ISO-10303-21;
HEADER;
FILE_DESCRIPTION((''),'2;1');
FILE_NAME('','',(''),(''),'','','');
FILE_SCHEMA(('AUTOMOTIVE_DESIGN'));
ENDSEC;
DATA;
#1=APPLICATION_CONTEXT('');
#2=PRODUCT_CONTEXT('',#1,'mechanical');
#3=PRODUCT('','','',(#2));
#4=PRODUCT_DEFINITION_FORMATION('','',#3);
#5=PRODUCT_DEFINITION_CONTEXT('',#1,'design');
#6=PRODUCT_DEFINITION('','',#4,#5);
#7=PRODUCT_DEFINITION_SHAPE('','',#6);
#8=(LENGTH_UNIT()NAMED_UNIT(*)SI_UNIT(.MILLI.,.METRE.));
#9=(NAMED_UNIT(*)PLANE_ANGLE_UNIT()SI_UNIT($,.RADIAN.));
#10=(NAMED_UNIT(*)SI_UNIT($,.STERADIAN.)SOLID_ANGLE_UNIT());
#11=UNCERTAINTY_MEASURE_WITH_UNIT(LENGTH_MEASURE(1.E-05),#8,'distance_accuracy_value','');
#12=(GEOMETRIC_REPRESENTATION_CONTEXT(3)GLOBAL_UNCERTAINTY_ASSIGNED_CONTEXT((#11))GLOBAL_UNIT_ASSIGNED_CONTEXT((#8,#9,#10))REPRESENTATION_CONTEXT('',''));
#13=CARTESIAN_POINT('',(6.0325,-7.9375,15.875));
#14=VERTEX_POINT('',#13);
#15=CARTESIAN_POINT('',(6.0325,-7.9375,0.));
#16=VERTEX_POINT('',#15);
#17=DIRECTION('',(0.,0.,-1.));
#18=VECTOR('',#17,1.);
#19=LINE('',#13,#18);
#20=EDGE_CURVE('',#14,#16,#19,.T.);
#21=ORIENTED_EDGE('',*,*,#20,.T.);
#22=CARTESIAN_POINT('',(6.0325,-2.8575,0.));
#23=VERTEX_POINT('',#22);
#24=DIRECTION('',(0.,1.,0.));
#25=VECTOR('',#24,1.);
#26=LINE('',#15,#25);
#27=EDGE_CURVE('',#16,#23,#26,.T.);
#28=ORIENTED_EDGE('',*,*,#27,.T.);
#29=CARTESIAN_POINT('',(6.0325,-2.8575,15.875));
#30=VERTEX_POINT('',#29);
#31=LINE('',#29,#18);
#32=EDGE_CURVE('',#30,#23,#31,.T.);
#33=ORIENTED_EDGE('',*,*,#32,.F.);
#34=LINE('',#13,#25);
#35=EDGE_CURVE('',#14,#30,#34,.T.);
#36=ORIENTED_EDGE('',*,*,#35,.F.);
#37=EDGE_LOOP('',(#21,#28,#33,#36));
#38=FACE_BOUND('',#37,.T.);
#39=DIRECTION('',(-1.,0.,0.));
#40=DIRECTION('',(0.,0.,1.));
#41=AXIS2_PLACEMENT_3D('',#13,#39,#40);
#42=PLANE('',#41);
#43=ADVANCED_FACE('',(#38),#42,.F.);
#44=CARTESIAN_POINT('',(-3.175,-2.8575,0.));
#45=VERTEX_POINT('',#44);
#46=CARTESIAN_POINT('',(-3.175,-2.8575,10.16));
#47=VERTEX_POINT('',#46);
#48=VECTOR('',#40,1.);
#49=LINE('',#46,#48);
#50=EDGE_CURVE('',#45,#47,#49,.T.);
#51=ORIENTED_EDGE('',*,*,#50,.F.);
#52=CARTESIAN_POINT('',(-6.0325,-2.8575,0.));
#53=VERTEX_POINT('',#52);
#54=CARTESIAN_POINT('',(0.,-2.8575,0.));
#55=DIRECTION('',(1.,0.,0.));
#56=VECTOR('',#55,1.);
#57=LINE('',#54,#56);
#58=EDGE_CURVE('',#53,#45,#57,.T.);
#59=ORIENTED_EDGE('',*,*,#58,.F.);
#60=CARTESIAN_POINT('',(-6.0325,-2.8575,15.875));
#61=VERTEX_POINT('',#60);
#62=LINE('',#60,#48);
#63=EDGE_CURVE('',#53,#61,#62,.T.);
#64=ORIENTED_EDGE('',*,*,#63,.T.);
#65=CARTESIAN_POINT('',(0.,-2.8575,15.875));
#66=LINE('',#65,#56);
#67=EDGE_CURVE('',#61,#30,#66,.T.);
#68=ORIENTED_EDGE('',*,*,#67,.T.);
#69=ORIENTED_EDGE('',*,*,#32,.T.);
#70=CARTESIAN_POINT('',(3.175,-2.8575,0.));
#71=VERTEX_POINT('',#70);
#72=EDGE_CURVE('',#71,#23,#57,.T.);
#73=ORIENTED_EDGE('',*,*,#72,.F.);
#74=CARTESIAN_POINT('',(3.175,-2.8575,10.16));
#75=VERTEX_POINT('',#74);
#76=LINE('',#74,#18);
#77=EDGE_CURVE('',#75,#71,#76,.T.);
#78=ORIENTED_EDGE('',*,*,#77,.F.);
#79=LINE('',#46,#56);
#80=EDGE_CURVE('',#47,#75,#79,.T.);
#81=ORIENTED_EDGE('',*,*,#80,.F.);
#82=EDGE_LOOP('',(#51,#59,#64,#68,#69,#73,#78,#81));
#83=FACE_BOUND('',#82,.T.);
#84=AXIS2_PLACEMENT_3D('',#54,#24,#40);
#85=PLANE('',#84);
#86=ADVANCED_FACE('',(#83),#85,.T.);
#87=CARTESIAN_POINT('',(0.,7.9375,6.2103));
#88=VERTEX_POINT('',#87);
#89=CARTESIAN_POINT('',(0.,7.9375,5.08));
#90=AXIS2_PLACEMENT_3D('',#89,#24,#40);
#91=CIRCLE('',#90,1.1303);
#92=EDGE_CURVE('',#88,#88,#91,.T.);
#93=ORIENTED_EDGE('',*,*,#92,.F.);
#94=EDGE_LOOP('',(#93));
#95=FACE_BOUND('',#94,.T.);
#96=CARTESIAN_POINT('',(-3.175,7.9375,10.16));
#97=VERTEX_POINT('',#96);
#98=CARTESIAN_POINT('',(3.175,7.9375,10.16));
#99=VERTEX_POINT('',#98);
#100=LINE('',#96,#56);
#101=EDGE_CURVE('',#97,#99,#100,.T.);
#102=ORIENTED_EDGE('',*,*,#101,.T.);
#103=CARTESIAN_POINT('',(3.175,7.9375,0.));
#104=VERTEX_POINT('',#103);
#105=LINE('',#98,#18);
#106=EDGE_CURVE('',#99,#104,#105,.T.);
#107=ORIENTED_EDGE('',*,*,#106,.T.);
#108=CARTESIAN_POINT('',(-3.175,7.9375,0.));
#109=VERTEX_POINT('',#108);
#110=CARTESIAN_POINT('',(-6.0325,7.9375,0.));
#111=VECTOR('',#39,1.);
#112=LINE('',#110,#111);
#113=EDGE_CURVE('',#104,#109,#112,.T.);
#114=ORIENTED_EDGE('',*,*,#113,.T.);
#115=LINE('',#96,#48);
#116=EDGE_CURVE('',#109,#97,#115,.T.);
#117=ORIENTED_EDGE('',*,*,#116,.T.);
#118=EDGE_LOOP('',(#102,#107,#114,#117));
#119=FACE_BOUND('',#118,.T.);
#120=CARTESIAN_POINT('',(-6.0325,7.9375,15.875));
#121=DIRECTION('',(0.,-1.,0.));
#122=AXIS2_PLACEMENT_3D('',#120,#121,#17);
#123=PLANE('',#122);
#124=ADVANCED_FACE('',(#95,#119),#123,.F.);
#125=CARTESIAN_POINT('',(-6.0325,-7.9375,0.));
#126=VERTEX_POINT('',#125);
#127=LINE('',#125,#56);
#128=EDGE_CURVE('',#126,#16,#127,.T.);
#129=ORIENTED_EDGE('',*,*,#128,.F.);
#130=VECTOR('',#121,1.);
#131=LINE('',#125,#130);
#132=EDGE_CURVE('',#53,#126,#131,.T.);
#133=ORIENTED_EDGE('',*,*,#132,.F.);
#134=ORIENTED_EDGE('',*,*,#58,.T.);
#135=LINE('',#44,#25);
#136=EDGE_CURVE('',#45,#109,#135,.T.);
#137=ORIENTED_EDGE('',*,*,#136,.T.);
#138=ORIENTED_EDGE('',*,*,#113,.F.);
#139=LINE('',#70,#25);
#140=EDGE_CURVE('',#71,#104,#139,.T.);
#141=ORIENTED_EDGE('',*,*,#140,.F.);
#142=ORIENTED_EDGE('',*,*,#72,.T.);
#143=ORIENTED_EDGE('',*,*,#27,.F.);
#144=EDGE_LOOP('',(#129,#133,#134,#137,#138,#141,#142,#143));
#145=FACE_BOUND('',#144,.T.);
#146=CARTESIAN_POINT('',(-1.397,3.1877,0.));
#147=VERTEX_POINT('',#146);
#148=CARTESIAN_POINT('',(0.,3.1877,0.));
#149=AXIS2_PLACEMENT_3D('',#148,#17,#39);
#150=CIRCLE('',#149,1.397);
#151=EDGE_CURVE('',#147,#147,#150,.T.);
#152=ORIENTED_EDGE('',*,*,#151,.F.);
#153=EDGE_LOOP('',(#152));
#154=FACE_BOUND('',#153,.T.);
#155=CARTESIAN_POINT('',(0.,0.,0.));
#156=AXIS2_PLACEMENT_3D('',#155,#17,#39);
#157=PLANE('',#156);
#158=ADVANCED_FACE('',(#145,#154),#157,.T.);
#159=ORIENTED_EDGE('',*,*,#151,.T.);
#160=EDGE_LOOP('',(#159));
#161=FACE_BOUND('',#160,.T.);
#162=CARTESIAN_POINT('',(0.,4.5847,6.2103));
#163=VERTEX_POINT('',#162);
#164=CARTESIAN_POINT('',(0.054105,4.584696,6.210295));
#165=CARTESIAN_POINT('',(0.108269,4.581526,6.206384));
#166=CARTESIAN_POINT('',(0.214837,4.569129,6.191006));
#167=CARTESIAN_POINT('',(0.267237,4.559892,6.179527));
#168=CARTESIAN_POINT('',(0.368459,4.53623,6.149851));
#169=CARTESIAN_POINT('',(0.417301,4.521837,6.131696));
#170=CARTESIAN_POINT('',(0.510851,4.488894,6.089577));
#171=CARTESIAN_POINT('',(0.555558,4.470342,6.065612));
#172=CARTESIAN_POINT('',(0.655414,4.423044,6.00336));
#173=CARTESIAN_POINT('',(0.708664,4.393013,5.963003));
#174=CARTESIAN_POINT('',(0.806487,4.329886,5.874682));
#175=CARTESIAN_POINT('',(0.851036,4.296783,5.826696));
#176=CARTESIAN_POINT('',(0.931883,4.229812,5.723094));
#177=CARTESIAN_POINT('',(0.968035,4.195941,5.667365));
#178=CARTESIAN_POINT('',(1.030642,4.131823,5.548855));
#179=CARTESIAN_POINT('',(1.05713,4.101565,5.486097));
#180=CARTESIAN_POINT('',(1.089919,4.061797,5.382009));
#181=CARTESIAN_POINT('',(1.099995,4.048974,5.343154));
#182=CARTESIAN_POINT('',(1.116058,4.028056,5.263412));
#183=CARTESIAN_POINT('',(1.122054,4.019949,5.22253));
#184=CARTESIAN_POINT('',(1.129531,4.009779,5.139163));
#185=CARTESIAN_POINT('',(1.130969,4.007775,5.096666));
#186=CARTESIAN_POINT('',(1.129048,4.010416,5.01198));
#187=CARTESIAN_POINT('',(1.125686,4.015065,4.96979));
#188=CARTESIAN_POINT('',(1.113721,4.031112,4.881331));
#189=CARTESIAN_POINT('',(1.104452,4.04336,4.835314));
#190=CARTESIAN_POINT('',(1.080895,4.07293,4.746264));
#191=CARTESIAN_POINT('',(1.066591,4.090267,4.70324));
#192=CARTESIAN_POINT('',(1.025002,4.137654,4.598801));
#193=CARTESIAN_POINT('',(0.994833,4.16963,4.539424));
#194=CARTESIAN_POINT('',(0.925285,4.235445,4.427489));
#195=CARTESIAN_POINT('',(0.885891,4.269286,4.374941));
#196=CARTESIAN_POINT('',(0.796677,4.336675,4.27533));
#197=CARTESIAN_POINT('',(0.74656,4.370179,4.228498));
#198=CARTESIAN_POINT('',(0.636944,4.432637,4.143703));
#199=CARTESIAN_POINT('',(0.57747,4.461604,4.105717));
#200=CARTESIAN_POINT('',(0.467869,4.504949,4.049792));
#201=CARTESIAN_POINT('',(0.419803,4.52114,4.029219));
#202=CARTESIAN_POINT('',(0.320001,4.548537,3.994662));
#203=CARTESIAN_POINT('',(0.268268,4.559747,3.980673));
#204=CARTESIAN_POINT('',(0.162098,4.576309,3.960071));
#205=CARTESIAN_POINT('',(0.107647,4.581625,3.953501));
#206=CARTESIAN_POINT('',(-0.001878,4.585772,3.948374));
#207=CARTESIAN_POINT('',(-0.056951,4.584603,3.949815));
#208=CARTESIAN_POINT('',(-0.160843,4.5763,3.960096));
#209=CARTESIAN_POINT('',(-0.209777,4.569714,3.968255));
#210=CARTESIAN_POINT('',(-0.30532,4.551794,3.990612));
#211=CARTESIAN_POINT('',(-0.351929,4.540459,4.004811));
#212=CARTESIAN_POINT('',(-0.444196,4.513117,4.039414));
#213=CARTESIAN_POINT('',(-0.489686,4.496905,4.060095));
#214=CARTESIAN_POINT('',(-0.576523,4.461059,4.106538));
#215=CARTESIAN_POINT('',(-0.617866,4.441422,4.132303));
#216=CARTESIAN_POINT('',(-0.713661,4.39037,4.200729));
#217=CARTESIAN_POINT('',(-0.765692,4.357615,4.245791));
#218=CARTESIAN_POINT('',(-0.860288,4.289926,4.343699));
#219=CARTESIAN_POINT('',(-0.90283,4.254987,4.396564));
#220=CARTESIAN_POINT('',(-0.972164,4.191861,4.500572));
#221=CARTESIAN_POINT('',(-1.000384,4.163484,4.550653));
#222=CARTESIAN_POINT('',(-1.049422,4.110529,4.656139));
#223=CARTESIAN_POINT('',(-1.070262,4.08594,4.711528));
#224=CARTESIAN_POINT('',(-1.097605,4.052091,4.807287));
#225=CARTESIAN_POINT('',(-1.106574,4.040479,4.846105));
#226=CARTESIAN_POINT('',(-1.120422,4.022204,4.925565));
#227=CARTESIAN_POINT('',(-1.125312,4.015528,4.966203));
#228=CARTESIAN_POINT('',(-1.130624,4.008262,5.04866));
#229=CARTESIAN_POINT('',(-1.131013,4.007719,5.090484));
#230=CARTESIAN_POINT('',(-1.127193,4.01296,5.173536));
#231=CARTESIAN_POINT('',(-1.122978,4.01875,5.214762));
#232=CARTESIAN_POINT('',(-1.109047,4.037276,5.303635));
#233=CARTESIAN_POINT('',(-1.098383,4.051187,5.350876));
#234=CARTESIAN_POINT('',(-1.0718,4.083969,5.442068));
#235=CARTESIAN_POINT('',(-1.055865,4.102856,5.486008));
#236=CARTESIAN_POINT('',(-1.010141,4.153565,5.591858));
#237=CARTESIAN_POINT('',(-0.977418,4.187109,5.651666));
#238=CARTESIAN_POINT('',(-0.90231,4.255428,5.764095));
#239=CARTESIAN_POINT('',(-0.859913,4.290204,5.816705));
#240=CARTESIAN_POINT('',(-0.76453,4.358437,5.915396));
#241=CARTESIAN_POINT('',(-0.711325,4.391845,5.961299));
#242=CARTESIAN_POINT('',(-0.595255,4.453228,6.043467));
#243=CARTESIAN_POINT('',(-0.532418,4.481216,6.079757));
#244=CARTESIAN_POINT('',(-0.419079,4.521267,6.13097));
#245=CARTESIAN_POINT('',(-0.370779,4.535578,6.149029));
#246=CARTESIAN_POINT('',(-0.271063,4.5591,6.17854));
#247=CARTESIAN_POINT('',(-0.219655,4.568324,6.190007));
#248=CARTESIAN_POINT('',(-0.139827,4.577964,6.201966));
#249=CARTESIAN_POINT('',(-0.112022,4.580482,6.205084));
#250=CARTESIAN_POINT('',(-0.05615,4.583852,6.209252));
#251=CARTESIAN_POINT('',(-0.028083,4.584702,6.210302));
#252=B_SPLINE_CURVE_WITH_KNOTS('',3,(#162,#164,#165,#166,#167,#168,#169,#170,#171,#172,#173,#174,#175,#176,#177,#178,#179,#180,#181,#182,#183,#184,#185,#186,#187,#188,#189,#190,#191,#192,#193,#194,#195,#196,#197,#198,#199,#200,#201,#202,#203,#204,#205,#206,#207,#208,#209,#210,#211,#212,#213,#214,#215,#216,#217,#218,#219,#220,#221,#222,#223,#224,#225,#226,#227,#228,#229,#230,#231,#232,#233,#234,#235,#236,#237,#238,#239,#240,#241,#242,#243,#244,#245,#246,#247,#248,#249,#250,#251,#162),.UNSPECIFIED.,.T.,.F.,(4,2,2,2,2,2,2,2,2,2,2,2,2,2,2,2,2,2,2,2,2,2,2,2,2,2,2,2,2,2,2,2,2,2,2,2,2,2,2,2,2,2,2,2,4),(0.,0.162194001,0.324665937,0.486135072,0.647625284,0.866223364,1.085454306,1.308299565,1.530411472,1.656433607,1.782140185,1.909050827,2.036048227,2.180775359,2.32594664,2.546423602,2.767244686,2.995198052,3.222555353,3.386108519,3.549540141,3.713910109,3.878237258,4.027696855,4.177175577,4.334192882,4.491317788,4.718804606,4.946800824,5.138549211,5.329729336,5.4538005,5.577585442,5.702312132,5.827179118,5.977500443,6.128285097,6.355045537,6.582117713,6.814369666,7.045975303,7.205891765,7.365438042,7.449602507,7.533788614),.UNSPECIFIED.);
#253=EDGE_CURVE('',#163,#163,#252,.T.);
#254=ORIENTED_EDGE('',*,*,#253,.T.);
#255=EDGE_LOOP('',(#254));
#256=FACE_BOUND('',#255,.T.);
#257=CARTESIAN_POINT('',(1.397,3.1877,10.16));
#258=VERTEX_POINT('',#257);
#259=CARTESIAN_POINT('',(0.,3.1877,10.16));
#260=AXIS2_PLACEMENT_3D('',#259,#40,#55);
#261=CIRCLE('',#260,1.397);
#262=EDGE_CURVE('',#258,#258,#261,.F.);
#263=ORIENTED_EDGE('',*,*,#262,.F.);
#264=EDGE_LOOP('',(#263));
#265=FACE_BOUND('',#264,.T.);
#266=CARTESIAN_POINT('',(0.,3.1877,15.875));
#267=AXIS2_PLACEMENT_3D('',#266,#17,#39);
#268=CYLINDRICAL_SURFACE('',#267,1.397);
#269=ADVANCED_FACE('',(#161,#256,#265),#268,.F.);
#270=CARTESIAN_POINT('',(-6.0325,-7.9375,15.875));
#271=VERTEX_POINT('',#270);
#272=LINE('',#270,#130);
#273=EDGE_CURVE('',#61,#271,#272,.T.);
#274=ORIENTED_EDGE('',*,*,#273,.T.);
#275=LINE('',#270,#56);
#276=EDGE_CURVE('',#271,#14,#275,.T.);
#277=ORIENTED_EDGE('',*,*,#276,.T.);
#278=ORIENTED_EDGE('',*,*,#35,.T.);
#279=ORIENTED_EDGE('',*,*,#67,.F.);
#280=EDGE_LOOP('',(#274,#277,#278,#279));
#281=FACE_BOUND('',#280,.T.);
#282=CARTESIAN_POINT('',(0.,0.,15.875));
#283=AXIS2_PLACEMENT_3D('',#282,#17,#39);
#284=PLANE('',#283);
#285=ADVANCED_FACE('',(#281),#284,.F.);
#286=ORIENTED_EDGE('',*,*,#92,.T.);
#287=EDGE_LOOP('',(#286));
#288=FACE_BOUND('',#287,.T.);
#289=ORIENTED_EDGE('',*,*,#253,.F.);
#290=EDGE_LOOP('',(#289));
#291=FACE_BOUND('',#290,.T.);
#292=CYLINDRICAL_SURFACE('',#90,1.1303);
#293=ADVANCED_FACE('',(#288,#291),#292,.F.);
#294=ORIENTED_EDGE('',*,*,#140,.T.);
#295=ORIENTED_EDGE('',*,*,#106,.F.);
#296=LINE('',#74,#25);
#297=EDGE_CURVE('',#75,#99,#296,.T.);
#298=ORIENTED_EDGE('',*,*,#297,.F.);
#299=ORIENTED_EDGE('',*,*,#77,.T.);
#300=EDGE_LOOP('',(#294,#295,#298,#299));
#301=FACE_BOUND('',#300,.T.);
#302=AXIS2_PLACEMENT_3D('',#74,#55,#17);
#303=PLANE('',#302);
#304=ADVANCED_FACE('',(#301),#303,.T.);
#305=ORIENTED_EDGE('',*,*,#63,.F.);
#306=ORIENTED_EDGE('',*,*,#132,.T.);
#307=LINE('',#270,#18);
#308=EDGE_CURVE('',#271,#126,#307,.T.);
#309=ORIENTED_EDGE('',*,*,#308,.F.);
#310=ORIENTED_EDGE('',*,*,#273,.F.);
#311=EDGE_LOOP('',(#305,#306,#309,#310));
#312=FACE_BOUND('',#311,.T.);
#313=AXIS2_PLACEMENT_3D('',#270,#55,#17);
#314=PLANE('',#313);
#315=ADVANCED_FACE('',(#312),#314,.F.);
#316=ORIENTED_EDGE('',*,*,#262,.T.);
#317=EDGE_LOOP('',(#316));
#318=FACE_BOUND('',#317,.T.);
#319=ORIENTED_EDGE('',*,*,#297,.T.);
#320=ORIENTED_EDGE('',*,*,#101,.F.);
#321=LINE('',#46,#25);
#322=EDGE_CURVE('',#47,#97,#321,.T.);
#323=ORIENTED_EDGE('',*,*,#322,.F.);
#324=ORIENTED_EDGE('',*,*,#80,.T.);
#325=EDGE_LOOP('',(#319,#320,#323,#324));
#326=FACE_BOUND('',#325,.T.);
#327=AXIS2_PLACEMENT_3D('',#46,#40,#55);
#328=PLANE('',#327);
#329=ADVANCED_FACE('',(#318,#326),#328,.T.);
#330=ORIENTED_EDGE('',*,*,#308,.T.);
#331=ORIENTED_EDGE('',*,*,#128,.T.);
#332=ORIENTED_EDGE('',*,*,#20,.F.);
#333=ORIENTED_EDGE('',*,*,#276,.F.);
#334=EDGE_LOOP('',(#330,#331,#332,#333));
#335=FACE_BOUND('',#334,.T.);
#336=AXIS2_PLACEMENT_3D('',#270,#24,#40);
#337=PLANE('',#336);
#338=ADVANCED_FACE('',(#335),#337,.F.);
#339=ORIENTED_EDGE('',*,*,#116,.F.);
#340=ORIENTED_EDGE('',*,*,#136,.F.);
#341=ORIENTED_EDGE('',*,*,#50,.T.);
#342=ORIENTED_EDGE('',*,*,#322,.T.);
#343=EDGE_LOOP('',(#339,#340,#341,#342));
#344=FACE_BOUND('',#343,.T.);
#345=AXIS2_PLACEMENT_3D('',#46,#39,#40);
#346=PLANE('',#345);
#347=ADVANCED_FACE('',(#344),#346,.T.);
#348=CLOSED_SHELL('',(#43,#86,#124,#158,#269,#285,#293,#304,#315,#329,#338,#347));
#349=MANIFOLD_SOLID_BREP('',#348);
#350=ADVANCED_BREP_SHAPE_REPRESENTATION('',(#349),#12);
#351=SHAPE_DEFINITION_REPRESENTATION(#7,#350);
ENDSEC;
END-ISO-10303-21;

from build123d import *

# Parameters (mm, degrees)
SKETCH1_W                  = 12.065
SKETCH1_H                  = 15.875
BASE_DEPTH                 = 15.875
SKETCH3_R                  = 1.397
SHAFTHOLE_DEPTH            = 19.745948562
SKETCH7_W                  = 18.144441676
SKETCH7_H                  = 22.667604572
SKETCH7_W_2                = 6.35
SKETCH7_H_2                = 10.16
CUT_EXTRUDE1_DEPTH         = 10.795
F_4_40_TAPPED_HOLE1_REACH  = 27.692
F_4_40_TAPPED_HOLE1_BORE_R = 1.1303


with BuildPart() as part:
    # Sketch1 → Base (new body)
    with BuildSketch(Plane.XY):
        Rectangle(SKETCH1_W, SKETCH1_H)
    extrude(amount=BASE_DEPTH)

    # Sketch3 → ShaftHole (cut, through all)
    with BuildSketch(Plane(origin=(0, 0, 0), x_dir=(-1, 0, 0), z_dir=(0, 0, -1))):
        with Locations((0, 3.1877)):
            Circle(SKETCH3_R)
    extrude(amount=-SHAFTHOLE_DEPTH, mode=Mode.SUBTRACT)

    # Sketch7 → Cut-Extrude1 (cut)
    with BuildSketch(Plane(origin=(0, 7.9375, 0), x_dir=(1, 0, 0), z_dir=(0, 1, 0))):
        with Locations((0.669483701, -7.615912702)):
            Rectangle(SKETCH7_W, SKETCH7_H)
        with Locations((0, -5.08)):
            Rectangle(SKETCH7_W_2, SKETCH7_H_2, mode=Mode.SUBTRACT)
    extrude(amount=-CUT_EXTRUDE1_DEPTH, mode=Mode.SUBTRACT)

    # #4-40 Tapped Hole1 bore → #4-40 Tapped Hole1 (cut, up to next)
    with BuildSketch(Plane(origin=(5.103236707, 7.9375, -0.979692924), x_dir=(0, 0, 1), z_dir=(0, 1, 0)), mode=Mode.PRIVATE) as f_4_40_tapped_hole1_sk1:
        with Locations((6.059692924, -5.103236707)):
            Circle(F_4_40_TAPPED_HOLE1_BORE_R)
    f_4_40_tapped_hole1_tool1 = extrude(f_4_40_tapped_hole1_sk1.sketch, amount=-F_4_40_TAPPED_HOLE1_REACH, mode=Mode.PRIVATE) & part.part
    add(f_4_40_tapped_hole1_tool1.solids().sort_by_distance((0, 7.9375, 5.08))[0], mode=Mode.SUBTRACT)


solid = part.part
